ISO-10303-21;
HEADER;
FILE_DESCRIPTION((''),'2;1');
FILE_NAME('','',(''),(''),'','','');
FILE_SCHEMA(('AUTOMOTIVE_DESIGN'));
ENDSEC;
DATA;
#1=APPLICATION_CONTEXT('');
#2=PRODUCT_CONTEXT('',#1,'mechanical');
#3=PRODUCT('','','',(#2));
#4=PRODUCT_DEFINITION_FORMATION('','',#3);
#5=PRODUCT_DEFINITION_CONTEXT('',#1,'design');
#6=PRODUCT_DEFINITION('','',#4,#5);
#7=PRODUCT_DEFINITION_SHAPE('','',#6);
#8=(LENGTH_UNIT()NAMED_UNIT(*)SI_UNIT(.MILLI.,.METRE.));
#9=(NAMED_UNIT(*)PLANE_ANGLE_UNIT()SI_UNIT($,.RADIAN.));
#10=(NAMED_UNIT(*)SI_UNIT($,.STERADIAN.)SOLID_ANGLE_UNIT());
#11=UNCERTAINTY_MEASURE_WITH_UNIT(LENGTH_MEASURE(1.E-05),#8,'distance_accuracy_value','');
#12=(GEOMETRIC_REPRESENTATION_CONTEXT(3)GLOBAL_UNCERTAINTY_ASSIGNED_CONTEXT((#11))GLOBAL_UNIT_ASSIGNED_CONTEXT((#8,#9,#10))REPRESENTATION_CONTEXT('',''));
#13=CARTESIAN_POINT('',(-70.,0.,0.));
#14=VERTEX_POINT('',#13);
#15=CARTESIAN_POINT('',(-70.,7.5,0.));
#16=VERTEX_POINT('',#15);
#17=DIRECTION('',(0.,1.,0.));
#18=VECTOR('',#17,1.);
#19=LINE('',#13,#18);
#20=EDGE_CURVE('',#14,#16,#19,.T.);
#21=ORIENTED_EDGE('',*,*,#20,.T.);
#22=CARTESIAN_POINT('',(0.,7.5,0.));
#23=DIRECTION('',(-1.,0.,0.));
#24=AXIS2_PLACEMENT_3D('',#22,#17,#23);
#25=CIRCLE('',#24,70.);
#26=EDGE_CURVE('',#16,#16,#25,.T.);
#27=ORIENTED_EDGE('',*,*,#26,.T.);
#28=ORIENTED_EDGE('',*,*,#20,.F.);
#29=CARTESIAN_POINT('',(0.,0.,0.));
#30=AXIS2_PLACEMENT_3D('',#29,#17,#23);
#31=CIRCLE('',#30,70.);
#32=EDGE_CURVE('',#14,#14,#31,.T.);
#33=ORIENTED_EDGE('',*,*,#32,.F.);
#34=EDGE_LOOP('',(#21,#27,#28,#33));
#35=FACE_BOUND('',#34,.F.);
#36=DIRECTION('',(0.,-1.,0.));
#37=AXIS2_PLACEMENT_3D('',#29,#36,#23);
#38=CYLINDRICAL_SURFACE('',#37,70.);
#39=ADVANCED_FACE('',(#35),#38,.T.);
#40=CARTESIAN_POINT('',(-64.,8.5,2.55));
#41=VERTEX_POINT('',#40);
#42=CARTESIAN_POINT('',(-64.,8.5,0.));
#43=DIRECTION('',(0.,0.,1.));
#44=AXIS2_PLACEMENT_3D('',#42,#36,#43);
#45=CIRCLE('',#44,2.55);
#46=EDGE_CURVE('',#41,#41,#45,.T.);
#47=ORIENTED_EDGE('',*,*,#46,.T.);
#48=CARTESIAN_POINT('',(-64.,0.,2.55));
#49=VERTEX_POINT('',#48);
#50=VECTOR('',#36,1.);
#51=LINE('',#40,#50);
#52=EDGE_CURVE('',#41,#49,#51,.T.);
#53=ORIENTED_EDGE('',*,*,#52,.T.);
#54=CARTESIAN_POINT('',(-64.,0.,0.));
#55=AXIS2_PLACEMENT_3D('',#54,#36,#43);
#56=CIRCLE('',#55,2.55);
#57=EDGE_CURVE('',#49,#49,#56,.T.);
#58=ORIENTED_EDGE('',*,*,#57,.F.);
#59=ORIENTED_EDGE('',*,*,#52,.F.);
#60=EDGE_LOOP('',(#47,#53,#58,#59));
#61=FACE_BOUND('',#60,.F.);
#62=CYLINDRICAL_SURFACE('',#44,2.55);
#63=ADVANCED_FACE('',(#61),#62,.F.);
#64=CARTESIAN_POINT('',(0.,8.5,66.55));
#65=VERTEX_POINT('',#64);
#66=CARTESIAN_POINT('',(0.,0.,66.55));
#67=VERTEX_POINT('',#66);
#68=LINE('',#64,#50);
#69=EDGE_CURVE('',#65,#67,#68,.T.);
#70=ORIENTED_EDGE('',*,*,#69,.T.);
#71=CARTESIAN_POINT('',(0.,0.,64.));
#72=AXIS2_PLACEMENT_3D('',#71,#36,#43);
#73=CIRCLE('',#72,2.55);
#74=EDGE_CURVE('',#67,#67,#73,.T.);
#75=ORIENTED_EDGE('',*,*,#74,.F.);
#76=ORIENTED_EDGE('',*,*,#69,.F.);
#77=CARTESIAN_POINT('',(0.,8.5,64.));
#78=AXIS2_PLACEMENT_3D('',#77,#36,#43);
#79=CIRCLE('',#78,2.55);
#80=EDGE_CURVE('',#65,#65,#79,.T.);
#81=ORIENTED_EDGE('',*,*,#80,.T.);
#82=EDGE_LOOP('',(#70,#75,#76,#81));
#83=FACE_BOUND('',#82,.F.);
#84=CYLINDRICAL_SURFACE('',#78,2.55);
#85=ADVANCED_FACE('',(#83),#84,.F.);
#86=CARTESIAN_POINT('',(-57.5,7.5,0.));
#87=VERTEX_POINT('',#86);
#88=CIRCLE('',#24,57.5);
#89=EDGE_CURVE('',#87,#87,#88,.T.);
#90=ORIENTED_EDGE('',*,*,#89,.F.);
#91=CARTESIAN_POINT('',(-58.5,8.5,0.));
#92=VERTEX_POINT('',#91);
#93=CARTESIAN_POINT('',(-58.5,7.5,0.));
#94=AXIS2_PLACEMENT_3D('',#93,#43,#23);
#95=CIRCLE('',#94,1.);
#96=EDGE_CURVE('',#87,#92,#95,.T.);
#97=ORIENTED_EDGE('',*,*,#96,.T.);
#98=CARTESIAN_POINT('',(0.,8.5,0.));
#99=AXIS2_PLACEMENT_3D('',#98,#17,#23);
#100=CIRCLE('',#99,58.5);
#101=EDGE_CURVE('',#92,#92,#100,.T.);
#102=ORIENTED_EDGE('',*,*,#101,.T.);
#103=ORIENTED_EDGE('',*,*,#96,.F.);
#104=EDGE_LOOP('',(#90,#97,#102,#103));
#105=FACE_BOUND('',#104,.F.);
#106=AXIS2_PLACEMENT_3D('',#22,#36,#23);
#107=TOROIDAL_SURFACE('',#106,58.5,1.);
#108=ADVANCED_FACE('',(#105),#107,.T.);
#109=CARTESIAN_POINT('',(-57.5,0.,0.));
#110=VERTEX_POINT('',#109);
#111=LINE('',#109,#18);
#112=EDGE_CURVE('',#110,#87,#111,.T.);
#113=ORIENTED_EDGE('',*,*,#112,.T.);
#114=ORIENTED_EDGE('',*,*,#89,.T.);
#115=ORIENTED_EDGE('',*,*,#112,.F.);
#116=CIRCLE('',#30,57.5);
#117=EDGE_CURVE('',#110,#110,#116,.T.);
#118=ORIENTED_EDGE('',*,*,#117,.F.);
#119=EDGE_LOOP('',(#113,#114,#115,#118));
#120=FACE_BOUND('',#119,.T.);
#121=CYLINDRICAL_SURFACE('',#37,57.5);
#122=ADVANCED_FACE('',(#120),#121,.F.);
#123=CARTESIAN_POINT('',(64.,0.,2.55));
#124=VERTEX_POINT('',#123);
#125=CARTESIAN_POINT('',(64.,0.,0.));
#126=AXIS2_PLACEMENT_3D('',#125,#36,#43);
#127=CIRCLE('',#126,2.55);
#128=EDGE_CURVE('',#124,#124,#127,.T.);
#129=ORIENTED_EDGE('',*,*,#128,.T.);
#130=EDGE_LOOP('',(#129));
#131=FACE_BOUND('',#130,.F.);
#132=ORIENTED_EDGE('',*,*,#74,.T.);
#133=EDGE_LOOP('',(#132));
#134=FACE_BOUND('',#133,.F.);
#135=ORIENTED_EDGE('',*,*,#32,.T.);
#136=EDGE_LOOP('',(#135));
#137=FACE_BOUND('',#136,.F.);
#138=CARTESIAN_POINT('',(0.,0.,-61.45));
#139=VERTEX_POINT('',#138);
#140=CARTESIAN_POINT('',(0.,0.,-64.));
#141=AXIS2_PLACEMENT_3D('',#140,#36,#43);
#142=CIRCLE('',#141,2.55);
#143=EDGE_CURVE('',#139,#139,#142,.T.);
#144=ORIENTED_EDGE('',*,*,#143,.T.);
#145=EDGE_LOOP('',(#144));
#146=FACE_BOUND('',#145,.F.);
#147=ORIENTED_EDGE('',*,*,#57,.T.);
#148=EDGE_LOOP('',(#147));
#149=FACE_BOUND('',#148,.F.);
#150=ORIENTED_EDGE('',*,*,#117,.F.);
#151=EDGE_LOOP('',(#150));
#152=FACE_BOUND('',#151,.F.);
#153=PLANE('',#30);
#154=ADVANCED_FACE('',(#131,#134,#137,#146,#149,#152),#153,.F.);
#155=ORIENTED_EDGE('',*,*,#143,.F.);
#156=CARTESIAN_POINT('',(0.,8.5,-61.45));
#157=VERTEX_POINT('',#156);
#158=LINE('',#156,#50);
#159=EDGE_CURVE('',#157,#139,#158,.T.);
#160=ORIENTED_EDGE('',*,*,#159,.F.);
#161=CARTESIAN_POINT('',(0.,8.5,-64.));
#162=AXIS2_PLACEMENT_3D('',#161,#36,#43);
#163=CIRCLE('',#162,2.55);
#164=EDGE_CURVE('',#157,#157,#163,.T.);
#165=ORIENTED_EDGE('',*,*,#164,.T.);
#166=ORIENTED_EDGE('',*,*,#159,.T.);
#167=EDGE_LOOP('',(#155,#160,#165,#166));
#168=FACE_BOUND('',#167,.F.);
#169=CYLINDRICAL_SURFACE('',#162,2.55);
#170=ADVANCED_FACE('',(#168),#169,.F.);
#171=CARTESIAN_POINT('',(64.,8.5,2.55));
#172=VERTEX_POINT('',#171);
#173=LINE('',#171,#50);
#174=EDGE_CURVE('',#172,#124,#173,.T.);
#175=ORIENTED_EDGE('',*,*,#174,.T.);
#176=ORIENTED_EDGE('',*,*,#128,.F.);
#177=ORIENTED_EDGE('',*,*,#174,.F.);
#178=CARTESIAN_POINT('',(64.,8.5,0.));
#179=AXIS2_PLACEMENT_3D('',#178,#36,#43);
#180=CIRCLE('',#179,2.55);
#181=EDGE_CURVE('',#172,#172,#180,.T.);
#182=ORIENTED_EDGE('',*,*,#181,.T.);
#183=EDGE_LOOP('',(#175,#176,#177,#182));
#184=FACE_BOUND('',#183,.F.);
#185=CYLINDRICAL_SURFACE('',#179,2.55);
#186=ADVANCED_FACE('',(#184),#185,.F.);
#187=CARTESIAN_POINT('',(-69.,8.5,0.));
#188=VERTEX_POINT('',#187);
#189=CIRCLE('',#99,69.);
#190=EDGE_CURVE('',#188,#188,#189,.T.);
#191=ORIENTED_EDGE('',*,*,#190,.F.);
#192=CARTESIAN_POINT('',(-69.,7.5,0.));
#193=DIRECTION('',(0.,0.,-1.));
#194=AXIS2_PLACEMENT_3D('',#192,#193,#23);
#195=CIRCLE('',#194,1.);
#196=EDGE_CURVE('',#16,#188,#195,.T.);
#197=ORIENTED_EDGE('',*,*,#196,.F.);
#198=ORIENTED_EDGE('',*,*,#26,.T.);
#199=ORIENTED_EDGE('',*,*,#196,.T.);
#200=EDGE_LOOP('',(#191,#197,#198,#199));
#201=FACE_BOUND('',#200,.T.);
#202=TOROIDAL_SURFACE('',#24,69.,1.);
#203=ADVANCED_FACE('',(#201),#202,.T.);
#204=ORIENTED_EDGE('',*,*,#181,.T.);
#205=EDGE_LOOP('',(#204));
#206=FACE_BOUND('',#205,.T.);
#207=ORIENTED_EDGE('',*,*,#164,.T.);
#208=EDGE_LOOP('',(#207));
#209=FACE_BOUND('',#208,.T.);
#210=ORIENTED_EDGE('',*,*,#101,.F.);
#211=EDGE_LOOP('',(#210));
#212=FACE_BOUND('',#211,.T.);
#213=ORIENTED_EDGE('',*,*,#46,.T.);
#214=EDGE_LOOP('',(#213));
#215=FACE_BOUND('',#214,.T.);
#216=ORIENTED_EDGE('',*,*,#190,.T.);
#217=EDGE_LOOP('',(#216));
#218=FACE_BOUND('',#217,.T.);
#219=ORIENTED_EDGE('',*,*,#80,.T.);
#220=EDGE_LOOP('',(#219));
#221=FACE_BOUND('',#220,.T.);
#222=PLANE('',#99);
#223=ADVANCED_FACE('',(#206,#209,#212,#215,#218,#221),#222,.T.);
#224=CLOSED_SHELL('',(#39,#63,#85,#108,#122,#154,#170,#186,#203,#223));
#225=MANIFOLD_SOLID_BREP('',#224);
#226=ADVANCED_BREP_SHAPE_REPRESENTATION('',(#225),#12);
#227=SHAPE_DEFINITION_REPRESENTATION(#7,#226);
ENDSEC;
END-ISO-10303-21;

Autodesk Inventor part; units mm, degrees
ref_plane "YZ Plane" through (0, 0, 0) normal (1, 0, 0) x (0, 1, 0)
ref_plane "XZ Plane" through (0, 0, 0) normal (0, 1, 0) x (-1, 0, 0)
ref_plane "XY Plane" through (0, 0, 0) normal (0, 0, 1) x (1, 0, 0)
sketch "スケッチ1" plane through (0, 0, 0) normal (0, 1, 0) x (-1, 0, 0)
  circle A0 centre (0, 0) radius 57.5
  circle A1 centre (0, 0) radius 70
  dimension "d0" = 115
  dimension "d1" = 140
extrude "押し出し1" add sketch "スケッチ1" along normal blind 8.5
fillet "フィレット1" radius 1 2 edges at (57.5, 8.5, 0) (70, 8.5, 0)
sketch "スケッチ3" plane through (0, 8.5, 0) normal (0, 1, 0) x (1, 0, 0)
  circle A0 centre (0, 0) radius 64
  point P0 (0, 64)
  point P1 (64, 0)
  point P2 (0, -64)
  point P3 (-64, 0)
  dimension "d19" = 128
hole "穴2" at (0, 8.5, -64) at (64, 8.5, 0) at (0, 8.5, 64) at (-64, 8.5, 0) direction (0, -1, 0) diameter 5.1 end through all
properties part number "turntable_out_8_23" material "アルミニウム 6061-AHC"
